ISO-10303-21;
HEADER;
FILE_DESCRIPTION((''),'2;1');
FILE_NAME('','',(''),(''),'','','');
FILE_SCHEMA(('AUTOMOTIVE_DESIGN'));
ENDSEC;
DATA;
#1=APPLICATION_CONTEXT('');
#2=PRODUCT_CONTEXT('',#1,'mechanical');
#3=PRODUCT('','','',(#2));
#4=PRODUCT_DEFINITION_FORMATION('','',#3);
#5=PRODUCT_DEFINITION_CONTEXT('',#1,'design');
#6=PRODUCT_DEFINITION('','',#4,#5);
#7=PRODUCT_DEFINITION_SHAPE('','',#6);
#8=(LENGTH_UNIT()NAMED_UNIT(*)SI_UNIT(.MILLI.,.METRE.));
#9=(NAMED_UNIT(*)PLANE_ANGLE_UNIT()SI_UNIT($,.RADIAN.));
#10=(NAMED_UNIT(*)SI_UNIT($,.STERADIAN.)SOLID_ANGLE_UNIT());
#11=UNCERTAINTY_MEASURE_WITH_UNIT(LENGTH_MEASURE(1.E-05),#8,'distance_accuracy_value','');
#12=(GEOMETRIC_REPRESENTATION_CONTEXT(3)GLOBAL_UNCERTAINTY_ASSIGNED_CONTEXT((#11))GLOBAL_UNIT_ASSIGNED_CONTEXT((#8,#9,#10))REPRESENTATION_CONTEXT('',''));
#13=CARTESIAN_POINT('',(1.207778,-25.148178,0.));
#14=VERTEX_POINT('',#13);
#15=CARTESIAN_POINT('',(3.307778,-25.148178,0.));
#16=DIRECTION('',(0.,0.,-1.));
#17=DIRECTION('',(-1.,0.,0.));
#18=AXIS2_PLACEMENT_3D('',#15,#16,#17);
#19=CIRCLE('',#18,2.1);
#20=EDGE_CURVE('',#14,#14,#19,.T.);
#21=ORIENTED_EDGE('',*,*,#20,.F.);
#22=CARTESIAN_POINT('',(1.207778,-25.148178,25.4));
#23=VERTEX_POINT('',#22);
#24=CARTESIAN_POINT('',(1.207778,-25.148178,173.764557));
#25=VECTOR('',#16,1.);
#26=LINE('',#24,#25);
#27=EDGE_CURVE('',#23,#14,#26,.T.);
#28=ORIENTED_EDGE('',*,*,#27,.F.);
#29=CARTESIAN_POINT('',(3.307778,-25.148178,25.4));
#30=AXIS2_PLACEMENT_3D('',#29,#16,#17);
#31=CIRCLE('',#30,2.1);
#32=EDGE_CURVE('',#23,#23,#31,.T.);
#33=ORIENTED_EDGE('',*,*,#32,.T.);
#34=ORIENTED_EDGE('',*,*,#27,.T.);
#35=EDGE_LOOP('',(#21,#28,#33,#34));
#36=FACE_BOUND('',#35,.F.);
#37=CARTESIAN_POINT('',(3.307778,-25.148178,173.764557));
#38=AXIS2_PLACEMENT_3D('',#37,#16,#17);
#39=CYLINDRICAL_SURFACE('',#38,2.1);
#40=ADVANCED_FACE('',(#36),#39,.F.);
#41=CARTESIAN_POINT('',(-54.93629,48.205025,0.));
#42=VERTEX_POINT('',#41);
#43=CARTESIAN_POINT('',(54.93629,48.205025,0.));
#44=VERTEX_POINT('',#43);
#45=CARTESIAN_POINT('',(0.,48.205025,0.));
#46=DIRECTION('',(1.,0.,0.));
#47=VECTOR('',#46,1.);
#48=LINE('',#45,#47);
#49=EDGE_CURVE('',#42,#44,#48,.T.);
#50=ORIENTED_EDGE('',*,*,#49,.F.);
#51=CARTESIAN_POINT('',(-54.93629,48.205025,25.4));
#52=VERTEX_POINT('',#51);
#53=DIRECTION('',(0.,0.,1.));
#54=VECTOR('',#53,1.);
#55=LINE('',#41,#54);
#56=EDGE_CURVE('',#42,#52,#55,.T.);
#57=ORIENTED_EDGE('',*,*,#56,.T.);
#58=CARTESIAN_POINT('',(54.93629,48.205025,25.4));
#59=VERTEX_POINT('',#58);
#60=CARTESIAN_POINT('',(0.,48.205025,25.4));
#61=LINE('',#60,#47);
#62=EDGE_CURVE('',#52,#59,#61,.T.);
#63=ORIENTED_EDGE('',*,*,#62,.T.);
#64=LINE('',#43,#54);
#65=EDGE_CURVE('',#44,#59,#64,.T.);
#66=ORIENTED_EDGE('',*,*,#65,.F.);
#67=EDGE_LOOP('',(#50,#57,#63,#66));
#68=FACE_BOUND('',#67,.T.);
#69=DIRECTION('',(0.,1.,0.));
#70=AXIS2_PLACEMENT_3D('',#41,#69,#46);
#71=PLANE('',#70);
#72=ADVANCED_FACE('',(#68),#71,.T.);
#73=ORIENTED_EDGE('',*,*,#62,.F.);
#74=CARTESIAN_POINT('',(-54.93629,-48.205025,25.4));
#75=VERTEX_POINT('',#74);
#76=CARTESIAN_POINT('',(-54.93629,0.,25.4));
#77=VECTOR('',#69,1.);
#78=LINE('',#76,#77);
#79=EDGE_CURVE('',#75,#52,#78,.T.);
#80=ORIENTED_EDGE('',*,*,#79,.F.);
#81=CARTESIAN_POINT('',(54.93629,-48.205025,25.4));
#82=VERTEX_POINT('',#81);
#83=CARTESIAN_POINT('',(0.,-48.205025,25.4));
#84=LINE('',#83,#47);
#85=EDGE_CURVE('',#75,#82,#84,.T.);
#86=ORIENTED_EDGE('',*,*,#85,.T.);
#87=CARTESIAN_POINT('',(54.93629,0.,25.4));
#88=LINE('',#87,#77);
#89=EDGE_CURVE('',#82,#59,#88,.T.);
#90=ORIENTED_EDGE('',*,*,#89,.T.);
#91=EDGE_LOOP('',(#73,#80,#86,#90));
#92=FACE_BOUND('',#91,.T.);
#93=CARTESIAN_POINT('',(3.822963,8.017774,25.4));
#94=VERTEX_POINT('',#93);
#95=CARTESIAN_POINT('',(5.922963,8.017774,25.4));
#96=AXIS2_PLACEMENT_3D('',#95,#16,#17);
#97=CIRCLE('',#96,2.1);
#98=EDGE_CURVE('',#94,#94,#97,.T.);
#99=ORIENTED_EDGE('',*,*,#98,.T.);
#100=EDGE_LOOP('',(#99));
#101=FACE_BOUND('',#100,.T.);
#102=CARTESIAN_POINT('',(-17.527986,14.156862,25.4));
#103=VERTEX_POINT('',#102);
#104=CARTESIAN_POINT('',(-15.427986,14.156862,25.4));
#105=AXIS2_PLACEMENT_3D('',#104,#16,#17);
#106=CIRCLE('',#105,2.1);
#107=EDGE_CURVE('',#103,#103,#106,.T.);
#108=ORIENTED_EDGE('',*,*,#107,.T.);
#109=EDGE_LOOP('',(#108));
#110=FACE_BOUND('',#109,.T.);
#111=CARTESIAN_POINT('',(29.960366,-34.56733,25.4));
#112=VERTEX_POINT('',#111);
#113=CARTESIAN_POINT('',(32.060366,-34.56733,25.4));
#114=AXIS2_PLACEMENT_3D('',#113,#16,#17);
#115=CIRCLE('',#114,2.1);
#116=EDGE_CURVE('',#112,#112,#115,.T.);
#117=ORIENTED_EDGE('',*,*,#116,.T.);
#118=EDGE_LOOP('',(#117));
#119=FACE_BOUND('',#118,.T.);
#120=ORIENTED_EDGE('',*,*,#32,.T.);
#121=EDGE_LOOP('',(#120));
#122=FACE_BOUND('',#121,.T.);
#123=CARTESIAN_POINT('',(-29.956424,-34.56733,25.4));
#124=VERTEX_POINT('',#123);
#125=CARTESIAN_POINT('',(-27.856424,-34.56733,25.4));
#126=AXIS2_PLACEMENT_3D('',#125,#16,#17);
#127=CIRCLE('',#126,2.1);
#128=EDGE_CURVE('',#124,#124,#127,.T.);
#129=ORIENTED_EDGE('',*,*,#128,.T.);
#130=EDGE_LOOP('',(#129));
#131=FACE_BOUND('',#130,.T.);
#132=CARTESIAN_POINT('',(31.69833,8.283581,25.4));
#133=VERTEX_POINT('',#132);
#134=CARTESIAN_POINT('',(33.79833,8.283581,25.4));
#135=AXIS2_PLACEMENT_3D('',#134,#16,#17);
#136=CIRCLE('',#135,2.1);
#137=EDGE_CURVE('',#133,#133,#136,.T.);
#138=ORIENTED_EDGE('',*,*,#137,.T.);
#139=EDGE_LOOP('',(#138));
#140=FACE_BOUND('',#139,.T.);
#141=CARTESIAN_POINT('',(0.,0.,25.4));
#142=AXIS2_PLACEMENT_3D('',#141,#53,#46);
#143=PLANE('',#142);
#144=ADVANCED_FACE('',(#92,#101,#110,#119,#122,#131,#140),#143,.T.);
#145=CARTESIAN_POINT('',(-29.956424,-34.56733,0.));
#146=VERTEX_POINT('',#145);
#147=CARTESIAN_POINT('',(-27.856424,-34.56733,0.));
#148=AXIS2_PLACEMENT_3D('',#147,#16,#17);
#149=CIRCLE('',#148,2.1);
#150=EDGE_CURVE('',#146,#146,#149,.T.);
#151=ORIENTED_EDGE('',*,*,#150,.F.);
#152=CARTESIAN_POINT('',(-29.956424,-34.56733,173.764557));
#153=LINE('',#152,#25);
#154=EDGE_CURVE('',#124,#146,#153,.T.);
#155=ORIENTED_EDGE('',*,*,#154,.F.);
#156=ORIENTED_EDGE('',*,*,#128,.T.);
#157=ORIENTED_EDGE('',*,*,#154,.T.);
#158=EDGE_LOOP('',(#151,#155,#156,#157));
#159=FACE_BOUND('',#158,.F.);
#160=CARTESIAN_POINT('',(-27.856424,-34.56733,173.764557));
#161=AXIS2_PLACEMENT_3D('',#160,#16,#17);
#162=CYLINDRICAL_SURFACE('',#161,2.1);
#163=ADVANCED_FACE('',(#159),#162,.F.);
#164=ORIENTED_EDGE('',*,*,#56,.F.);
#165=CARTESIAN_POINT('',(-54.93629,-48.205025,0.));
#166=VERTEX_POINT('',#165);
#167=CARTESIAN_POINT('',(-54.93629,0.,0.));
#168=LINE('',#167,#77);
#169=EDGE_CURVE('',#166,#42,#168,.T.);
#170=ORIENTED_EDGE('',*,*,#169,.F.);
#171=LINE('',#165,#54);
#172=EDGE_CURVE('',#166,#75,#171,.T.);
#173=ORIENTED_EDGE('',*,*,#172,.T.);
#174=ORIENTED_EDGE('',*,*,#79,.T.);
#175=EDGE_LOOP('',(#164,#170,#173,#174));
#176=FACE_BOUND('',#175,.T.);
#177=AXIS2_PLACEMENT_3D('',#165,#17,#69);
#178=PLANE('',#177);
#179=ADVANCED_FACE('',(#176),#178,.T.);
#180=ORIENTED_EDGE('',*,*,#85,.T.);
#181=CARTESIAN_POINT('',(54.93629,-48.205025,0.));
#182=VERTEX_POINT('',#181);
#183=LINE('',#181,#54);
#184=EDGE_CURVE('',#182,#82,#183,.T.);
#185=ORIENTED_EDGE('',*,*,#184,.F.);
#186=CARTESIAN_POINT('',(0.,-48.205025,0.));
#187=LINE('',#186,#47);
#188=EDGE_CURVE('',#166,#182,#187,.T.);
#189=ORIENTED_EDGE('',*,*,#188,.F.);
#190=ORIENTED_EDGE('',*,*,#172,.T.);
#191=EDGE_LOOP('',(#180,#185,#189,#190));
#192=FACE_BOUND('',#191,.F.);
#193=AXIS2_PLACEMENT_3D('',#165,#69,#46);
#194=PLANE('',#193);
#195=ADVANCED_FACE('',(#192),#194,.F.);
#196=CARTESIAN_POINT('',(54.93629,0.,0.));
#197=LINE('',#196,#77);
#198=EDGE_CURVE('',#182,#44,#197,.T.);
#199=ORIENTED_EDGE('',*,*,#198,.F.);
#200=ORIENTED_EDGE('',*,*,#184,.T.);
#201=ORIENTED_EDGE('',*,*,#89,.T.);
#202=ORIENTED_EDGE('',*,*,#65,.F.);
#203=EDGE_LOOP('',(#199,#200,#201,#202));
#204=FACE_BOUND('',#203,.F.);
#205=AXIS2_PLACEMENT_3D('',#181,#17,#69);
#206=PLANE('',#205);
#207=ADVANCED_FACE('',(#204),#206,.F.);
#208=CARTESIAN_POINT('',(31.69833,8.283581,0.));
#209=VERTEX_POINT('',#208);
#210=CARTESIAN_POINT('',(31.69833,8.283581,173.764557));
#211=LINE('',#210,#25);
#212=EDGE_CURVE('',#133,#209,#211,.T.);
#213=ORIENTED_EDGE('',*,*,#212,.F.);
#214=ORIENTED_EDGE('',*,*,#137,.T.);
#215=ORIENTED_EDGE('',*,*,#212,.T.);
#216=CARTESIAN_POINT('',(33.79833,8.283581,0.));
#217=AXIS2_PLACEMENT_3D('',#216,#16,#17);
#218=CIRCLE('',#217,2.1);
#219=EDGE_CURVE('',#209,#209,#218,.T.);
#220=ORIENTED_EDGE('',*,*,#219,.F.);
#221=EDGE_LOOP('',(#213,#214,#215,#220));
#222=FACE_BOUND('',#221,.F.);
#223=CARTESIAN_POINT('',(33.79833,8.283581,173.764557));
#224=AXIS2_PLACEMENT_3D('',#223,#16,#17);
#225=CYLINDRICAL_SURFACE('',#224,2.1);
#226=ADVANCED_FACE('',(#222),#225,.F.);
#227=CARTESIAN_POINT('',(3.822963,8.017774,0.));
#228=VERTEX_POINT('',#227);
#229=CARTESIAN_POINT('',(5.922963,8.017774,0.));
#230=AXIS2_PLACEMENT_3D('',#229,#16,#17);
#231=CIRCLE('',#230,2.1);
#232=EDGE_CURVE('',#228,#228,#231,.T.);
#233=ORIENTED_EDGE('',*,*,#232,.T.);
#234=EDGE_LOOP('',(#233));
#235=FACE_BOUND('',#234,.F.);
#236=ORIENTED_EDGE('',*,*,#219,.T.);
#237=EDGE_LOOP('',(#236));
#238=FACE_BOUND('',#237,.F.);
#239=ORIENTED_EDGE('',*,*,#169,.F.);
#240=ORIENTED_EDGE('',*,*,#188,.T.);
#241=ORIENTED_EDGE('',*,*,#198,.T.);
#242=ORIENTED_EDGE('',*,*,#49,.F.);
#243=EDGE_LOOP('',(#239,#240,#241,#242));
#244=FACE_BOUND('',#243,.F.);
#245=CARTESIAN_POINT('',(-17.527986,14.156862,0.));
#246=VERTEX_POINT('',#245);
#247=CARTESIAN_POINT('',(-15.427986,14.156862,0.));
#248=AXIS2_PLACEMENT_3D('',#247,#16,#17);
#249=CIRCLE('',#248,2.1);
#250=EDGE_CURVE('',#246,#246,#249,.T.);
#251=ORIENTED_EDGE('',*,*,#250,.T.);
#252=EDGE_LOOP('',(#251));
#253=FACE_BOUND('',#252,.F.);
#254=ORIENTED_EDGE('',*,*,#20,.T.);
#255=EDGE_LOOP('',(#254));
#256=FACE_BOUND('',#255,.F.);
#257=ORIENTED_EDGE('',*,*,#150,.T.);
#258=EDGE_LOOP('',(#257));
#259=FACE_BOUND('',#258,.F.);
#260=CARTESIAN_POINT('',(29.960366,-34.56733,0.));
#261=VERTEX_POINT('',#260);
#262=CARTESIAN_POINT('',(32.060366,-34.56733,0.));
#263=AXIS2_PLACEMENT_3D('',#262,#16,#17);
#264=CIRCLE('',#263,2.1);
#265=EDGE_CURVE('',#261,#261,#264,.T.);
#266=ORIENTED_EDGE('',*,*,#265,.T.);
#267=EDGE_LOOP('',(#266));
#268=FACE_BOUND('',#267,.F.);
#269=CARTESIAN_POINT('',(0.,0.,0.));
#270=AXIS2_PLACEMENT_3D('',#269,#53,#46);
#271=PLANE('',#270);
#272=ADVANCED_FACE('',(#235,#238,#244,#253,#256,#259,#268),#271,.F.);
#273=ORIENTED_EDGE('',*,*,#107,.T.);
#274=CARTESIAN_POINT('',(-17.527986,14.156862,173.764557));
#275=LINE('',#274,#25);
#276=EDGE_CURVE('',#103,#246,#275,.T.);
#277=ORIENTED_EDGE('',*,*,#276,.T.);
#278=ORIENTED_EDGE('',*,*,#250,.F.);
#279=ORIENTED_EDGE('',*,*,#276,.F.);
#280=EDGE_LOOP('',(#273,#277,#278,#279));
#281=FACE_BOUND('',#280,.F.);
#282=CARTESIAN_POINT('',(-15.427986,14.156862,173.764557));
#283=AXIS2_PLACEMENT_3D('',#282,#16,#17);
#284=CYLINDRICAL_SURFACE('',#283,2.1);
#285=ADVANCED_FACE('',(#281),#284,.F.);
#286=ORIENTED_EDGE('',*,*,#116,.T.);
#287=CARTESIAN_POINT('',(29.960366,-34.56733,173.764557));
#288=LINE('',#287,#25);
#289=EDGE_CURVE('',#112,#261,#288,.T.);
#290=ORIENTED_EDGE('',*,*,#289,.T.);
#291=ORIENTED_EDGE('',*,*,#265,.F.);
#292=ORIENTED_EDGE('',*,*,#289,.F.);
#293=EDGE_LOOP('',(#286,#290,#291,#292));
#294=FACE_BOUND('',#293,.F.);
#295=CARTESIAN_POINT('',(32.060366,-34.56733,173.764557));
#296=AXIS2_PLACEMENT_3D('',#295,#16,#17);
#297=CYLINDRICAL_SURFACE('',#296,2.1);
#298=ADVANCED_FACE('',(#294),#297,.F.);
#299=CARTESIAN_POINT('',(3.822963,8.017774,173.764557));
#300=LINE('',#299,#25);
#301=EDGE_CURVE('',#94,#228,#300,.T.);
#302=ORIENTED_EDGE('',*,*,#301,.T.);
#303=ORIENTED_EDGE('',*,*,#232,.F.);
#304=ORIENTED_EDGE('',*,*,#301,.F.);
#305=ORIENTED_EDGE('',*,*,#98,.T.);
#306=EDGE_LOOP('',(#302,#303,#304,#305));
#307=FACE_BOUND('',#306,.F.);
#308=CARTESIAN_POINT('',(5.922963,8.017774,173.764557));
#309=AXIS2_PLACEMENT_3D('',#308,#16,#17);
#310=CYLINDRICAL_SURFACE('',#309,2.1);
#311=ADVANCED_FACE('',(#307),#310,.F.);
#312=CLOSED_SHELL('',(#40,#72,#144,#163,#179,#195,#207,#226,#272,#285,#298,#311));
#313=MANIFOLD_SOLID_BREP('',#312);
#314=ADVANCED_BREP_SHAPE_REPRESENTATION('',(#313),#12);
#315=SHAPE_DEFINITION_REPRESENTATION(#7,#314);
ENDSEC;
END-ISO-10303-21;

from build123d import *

# Parameters (mm, degrees)
F0_W     = 109.8725795746
F0_H     = 96.4100509882
F1_DEPTH = 25.4
F3_D     = 4.2


with BuildPart() as f1:
    # F0 (on Top) → F1 (new body)
    with BuildSketch(Plane.XY):
        Rectangle(F0_W, F0_H)
    extrude(amount=F1_DEPTH)

    # F3 (through all)
    with Locations(Plane.XY.offset(25.4)):
        with Locations((-27.8564244509, -34.5673300326), (-15.4279861599, 14.1568621621), (5.9229629114, 8.01777374), (33.7983295321, 8.2835806534), (32.0603661239, -34.5673300326), (3.3077781554, -25.1481775194)):
            Hole(F3_D / 2)


solid = f1.part
